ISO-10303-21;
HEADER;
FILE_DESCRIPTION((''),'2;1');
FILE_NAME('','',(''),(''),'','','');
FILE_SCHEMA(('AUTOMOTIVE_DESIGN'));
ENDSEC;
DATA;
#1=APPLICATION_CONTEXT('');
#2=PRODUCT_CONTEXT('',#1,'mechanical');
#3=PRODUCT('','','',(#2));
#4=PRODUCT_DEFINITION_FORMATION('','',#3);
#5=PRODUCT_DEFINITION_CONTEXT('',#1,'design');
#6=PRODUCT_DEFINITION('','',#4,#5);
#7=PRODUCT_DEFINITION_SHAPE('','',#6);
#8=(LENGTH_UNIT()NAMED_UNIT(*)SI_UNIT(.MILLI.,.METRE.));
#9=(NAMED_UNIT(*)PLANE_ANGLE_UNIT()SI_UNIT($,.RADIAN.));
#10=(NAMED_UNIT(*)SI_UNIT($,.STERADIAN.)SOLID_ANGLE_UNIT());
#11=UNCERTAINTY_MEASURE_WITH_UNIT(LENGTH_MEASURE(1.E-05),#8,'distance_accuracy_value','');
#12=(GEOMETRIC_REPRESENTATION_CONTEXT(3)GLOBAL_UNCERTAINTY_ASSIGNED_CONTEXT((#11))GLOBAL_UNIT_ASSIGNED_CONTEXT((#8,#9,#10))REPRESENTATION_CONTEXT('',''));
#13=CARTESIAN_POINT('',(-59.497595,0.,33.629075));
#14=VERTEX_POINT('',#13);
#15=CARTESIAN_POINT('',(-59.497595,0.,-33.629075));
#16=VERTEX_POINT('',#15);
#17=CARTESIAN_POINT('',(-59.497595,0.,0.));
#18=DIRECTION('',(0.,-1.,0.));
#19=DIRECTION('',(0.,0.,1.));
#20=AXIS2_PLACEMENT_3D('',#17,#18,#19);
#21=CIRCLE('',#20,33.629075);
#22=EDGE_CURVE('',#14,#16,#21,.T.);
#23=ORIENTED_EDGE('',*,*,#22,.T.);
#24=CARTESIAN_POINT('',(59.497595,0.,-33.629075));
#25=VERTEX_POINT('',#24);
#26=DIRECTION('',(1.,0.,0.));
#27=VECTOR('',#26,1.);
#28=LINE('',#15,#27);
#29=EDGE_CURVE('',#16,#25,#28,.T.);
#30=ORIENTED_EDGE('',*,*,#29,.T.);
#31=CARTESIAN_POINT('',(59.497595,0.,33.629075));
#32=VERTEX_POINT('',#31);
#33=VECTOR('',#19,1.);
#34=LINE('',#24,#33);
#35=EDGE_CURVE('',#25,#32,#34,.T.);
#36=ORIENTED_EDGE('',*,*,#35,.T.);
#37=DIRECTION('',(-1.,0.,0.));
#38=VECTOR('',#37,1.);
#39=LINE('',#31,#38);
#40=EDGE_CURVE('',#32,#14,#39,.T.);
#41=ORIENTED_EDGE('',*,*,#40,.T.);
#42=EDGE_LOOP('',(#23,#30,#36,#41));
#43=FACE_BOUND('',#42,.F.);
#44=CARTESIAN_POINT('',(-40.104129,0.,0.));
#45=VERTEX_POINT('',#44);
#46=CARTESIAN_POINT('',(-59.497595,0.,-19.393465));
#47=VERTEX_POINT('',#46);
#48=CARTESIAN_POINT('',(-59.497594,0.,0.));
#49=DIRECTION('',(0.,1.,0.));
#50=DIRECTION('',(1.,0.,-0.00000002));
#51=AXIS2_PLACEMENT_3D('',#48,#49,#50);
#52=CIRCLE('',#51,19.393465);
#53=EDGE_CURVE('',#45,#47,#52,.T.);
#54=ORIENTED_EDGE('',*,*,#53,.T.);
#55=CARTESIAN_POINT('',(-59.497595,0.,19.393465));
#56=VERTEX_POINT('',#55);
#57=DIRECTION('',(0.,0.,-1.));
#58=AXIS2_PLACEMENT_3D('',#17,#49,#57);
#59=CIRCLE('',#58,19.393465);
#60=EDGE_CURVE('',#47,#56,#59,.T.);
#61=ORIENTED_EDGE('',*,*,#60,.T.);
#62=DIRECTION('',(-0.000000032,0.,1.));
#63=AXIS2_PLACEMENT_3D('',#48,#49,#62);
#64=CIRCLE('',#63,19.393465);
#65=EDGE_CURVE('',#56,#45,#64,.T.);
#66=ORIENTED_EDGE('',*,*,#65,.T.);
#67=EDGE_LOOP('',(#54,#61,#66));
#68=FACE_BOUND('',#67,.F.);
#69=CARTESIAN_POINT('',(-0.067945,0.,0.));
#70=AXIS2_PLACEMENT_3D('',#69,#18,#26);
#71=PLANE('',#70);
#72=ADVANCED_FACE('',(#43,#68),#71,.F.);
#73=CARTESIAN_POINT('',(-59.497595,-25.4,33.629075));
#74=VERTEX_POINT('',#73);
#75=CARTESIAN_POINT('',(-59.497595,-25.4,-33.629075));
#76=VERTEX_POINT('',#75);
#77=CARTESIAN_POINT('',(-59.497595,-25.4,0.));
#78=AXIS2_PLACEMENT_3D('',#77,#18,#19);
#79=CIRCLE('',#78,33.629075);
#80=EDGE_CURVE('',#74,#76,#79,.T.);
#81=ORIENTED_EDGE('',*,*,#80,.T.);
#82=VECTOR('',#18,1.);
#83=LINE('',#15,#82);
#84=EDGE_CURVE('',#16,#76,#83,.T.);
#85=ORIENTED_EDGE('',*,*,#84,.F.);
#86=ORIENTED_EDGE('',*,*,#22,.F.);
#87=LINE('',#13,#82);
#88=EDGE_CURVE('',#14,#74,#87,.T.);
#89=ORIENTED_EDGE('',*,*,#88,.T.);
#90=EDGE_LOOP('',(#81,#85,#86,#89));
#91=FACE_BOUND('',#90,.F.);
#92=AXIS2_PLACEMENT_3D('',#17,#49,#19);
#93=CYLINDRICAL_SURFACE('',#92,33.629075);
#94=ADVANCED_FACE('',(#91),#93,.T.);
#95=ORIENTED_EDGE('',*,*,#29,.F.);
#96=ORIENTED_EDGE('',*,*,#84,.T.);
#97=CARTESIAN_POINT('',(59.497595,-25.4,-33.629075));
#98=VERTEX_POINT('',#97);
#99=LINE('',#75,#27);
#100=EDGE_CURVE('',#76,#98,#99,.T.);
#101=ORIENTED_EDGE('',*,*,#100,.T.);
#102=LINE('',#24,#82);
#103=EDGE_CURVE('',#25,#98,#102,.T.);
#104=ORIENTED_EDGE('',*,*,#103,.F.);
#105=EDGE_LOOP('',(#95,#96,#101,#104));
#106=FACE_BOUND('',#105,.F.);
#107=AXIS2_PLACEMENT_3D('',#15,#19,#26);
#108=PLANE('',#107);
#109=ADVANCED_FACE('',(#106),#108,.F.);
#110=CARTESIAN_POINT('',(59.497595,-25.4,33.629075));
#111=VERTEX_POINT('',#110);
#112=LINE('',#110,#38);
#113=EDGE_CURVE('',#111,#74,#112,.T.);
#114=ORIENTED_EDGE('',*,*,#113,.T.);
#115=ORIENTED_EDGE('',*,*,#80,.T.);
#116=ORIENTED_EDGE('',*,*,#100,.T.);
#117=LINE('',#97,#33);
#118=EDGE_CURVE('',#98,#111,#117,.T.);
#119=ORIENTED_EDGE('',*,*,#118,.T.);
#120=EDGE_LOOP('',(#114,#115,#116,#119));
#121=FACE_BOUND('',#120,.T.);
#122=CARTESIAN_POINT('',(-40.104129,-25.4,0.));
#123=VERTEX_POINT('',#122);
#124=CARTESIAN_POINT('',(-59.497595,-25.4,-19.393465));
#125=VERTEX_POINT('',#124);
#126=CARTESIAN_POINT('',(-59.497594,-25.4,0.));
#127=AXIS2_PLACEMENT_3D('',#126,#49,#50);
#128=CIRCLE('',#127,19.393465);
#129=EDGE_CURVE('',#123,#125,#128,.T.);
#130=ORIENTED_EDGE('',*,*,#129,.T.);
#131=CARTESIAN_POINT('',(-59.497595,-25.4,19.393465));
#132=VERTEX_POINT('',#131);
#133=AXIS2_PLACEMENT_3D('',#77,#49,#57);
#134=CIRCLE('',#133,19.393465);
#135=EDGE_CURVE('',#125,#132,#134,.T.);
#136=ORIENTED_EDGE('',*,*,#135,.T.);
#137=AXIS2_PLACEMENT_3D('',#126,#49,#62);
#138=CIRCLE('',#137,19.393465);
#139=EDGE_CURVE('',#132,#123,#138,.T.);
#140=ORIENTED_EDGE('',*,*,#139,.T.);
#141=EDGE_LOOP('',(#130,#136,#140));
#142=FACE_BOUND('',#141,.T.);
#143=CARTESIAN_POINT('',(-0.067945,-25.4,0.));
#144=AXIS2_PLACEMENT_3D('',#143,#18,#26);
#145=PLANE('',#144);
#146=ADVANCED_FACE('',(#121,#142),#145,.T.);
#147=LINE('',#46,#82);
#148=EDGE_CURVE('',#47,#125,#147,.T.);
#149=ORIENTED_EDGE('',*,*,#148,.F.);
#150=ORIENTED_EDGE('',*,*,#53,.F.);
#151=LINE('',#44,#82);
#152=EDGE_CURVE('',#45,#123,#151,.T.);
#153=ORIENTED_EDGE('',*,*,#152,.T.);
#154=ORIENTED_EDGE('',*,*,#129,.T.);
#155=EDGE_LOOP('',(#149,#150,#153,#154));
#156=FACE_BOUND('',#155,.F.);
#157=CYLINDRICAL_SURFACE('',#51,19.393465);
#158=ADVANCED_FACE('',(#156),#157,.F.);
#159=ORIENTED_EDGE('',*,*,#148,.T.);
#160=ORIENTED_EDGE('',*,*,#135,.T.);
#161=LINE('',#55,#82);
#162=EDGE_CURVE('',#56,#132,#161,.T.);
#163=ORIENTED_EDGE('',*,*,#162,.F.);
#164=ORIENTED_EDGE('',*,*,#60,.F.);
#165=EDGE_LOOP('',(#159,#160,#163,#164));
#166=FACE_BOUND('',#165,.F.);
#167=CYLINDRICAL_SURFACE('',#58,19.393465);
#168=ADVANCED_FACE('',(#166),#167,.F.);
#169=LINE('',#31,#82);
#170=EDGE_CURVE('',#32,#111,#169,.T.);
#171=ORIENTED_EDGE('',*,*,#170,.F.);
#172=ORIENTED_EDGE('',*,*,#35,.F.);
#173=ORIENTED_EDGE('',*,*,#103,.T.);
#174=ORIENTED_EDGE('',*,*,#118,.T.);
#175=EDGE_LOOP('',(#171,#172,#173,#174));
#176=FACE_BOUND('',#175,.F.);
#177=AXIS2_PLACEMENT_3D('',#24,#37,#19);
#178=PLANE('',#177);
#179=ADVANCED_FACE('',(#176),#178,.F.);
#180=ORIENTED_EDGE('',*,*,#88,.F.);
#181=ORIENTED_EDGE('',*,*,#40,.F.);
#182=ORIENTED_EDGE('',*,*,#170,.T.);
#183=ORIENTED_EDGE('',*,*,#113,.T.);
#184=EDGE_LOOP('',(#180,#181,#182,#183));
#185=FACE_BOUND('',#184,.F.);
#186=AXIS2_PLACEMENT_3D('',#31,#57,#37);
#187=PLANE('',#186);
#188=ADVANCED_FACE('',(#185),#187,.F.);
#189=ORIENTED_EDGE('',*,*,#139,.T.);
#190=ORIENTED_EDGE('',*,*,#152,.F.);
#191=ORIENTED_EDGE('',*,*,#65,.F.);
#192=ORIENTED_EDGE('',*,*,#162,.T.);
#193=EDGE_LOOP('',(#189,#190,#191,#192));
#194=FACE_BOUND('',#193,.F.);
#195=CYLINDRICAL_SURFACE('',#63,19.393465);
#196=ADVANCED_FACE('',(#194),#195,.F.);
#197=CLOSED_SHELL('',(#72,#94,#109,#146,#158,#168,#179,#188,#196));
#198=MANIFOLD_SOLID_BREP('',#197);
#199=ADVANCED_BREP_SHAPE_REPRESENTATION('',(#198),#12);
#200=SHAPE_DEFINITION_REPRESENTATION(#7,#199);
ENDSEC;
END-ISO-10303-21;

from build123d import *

# Parameters (mm, degrees)
F1_DEPTH = 25.4


with BuildPart() as f1:
    # F0 (on Front) → F1 (new body)
    with BuildSketch(Plane.XZ):
        with BuildLine():
            Line((-59.497595, -33.629075), (59.497595, -33.629075))
            Line((59.497595, -33.629075), (59.497595, 33.629075))
            Line((59.497595, 33.629075), (-59.497595, 33.629075))
            ThreePointArc((-59.497595, 33.629075), (-35.718248, 23.779347), (-25.86852, 0))
            ThreePointArc((-25.86852, 0), (-35.718248, -23.779347), (-59.497595, -33.629075))
        make_face()
        with BuildLine():
            Line((-59.497595, -19.393465), (-59.497595, -33.629075))
            ThreePointArc((-59.497595, -33.629075), (-35.718248, -23.779347), (-25.86852, 0))
            ThreePointArc((-25.86852, 0), (-35.718248, 23.779347), (-59.497595, 33.629075))
            Line((-59.497595, 33.629075), (-59.497595, 19.393465))
            ThreePointArc((-59.497595, 19.393465), (-45.784344, 13.713251), (-40.104129, 0))
            ThreePointArc((-40.104129, 0), (-45.784344, -13.713251), (-59.497595, -19.393465))
        make_face()
        with BuildLine():
            ThreePointArc((-59.497595, 33.629075), (-93.12667, 0), (-59.497595, -33.629075))
            Line((-59.497595, -33.629075), (-59.497595, -19.393465))
            ThreePointArc((-59.497595, -19.393465), (-78.89106, 0), (-59.497595, 19.393465))
            Line((-59.497595, 19.393465), (-59.497595, 33.629075))
        make_face()
    extrude(amount=F1_DEPTH)


solid = f1.part
